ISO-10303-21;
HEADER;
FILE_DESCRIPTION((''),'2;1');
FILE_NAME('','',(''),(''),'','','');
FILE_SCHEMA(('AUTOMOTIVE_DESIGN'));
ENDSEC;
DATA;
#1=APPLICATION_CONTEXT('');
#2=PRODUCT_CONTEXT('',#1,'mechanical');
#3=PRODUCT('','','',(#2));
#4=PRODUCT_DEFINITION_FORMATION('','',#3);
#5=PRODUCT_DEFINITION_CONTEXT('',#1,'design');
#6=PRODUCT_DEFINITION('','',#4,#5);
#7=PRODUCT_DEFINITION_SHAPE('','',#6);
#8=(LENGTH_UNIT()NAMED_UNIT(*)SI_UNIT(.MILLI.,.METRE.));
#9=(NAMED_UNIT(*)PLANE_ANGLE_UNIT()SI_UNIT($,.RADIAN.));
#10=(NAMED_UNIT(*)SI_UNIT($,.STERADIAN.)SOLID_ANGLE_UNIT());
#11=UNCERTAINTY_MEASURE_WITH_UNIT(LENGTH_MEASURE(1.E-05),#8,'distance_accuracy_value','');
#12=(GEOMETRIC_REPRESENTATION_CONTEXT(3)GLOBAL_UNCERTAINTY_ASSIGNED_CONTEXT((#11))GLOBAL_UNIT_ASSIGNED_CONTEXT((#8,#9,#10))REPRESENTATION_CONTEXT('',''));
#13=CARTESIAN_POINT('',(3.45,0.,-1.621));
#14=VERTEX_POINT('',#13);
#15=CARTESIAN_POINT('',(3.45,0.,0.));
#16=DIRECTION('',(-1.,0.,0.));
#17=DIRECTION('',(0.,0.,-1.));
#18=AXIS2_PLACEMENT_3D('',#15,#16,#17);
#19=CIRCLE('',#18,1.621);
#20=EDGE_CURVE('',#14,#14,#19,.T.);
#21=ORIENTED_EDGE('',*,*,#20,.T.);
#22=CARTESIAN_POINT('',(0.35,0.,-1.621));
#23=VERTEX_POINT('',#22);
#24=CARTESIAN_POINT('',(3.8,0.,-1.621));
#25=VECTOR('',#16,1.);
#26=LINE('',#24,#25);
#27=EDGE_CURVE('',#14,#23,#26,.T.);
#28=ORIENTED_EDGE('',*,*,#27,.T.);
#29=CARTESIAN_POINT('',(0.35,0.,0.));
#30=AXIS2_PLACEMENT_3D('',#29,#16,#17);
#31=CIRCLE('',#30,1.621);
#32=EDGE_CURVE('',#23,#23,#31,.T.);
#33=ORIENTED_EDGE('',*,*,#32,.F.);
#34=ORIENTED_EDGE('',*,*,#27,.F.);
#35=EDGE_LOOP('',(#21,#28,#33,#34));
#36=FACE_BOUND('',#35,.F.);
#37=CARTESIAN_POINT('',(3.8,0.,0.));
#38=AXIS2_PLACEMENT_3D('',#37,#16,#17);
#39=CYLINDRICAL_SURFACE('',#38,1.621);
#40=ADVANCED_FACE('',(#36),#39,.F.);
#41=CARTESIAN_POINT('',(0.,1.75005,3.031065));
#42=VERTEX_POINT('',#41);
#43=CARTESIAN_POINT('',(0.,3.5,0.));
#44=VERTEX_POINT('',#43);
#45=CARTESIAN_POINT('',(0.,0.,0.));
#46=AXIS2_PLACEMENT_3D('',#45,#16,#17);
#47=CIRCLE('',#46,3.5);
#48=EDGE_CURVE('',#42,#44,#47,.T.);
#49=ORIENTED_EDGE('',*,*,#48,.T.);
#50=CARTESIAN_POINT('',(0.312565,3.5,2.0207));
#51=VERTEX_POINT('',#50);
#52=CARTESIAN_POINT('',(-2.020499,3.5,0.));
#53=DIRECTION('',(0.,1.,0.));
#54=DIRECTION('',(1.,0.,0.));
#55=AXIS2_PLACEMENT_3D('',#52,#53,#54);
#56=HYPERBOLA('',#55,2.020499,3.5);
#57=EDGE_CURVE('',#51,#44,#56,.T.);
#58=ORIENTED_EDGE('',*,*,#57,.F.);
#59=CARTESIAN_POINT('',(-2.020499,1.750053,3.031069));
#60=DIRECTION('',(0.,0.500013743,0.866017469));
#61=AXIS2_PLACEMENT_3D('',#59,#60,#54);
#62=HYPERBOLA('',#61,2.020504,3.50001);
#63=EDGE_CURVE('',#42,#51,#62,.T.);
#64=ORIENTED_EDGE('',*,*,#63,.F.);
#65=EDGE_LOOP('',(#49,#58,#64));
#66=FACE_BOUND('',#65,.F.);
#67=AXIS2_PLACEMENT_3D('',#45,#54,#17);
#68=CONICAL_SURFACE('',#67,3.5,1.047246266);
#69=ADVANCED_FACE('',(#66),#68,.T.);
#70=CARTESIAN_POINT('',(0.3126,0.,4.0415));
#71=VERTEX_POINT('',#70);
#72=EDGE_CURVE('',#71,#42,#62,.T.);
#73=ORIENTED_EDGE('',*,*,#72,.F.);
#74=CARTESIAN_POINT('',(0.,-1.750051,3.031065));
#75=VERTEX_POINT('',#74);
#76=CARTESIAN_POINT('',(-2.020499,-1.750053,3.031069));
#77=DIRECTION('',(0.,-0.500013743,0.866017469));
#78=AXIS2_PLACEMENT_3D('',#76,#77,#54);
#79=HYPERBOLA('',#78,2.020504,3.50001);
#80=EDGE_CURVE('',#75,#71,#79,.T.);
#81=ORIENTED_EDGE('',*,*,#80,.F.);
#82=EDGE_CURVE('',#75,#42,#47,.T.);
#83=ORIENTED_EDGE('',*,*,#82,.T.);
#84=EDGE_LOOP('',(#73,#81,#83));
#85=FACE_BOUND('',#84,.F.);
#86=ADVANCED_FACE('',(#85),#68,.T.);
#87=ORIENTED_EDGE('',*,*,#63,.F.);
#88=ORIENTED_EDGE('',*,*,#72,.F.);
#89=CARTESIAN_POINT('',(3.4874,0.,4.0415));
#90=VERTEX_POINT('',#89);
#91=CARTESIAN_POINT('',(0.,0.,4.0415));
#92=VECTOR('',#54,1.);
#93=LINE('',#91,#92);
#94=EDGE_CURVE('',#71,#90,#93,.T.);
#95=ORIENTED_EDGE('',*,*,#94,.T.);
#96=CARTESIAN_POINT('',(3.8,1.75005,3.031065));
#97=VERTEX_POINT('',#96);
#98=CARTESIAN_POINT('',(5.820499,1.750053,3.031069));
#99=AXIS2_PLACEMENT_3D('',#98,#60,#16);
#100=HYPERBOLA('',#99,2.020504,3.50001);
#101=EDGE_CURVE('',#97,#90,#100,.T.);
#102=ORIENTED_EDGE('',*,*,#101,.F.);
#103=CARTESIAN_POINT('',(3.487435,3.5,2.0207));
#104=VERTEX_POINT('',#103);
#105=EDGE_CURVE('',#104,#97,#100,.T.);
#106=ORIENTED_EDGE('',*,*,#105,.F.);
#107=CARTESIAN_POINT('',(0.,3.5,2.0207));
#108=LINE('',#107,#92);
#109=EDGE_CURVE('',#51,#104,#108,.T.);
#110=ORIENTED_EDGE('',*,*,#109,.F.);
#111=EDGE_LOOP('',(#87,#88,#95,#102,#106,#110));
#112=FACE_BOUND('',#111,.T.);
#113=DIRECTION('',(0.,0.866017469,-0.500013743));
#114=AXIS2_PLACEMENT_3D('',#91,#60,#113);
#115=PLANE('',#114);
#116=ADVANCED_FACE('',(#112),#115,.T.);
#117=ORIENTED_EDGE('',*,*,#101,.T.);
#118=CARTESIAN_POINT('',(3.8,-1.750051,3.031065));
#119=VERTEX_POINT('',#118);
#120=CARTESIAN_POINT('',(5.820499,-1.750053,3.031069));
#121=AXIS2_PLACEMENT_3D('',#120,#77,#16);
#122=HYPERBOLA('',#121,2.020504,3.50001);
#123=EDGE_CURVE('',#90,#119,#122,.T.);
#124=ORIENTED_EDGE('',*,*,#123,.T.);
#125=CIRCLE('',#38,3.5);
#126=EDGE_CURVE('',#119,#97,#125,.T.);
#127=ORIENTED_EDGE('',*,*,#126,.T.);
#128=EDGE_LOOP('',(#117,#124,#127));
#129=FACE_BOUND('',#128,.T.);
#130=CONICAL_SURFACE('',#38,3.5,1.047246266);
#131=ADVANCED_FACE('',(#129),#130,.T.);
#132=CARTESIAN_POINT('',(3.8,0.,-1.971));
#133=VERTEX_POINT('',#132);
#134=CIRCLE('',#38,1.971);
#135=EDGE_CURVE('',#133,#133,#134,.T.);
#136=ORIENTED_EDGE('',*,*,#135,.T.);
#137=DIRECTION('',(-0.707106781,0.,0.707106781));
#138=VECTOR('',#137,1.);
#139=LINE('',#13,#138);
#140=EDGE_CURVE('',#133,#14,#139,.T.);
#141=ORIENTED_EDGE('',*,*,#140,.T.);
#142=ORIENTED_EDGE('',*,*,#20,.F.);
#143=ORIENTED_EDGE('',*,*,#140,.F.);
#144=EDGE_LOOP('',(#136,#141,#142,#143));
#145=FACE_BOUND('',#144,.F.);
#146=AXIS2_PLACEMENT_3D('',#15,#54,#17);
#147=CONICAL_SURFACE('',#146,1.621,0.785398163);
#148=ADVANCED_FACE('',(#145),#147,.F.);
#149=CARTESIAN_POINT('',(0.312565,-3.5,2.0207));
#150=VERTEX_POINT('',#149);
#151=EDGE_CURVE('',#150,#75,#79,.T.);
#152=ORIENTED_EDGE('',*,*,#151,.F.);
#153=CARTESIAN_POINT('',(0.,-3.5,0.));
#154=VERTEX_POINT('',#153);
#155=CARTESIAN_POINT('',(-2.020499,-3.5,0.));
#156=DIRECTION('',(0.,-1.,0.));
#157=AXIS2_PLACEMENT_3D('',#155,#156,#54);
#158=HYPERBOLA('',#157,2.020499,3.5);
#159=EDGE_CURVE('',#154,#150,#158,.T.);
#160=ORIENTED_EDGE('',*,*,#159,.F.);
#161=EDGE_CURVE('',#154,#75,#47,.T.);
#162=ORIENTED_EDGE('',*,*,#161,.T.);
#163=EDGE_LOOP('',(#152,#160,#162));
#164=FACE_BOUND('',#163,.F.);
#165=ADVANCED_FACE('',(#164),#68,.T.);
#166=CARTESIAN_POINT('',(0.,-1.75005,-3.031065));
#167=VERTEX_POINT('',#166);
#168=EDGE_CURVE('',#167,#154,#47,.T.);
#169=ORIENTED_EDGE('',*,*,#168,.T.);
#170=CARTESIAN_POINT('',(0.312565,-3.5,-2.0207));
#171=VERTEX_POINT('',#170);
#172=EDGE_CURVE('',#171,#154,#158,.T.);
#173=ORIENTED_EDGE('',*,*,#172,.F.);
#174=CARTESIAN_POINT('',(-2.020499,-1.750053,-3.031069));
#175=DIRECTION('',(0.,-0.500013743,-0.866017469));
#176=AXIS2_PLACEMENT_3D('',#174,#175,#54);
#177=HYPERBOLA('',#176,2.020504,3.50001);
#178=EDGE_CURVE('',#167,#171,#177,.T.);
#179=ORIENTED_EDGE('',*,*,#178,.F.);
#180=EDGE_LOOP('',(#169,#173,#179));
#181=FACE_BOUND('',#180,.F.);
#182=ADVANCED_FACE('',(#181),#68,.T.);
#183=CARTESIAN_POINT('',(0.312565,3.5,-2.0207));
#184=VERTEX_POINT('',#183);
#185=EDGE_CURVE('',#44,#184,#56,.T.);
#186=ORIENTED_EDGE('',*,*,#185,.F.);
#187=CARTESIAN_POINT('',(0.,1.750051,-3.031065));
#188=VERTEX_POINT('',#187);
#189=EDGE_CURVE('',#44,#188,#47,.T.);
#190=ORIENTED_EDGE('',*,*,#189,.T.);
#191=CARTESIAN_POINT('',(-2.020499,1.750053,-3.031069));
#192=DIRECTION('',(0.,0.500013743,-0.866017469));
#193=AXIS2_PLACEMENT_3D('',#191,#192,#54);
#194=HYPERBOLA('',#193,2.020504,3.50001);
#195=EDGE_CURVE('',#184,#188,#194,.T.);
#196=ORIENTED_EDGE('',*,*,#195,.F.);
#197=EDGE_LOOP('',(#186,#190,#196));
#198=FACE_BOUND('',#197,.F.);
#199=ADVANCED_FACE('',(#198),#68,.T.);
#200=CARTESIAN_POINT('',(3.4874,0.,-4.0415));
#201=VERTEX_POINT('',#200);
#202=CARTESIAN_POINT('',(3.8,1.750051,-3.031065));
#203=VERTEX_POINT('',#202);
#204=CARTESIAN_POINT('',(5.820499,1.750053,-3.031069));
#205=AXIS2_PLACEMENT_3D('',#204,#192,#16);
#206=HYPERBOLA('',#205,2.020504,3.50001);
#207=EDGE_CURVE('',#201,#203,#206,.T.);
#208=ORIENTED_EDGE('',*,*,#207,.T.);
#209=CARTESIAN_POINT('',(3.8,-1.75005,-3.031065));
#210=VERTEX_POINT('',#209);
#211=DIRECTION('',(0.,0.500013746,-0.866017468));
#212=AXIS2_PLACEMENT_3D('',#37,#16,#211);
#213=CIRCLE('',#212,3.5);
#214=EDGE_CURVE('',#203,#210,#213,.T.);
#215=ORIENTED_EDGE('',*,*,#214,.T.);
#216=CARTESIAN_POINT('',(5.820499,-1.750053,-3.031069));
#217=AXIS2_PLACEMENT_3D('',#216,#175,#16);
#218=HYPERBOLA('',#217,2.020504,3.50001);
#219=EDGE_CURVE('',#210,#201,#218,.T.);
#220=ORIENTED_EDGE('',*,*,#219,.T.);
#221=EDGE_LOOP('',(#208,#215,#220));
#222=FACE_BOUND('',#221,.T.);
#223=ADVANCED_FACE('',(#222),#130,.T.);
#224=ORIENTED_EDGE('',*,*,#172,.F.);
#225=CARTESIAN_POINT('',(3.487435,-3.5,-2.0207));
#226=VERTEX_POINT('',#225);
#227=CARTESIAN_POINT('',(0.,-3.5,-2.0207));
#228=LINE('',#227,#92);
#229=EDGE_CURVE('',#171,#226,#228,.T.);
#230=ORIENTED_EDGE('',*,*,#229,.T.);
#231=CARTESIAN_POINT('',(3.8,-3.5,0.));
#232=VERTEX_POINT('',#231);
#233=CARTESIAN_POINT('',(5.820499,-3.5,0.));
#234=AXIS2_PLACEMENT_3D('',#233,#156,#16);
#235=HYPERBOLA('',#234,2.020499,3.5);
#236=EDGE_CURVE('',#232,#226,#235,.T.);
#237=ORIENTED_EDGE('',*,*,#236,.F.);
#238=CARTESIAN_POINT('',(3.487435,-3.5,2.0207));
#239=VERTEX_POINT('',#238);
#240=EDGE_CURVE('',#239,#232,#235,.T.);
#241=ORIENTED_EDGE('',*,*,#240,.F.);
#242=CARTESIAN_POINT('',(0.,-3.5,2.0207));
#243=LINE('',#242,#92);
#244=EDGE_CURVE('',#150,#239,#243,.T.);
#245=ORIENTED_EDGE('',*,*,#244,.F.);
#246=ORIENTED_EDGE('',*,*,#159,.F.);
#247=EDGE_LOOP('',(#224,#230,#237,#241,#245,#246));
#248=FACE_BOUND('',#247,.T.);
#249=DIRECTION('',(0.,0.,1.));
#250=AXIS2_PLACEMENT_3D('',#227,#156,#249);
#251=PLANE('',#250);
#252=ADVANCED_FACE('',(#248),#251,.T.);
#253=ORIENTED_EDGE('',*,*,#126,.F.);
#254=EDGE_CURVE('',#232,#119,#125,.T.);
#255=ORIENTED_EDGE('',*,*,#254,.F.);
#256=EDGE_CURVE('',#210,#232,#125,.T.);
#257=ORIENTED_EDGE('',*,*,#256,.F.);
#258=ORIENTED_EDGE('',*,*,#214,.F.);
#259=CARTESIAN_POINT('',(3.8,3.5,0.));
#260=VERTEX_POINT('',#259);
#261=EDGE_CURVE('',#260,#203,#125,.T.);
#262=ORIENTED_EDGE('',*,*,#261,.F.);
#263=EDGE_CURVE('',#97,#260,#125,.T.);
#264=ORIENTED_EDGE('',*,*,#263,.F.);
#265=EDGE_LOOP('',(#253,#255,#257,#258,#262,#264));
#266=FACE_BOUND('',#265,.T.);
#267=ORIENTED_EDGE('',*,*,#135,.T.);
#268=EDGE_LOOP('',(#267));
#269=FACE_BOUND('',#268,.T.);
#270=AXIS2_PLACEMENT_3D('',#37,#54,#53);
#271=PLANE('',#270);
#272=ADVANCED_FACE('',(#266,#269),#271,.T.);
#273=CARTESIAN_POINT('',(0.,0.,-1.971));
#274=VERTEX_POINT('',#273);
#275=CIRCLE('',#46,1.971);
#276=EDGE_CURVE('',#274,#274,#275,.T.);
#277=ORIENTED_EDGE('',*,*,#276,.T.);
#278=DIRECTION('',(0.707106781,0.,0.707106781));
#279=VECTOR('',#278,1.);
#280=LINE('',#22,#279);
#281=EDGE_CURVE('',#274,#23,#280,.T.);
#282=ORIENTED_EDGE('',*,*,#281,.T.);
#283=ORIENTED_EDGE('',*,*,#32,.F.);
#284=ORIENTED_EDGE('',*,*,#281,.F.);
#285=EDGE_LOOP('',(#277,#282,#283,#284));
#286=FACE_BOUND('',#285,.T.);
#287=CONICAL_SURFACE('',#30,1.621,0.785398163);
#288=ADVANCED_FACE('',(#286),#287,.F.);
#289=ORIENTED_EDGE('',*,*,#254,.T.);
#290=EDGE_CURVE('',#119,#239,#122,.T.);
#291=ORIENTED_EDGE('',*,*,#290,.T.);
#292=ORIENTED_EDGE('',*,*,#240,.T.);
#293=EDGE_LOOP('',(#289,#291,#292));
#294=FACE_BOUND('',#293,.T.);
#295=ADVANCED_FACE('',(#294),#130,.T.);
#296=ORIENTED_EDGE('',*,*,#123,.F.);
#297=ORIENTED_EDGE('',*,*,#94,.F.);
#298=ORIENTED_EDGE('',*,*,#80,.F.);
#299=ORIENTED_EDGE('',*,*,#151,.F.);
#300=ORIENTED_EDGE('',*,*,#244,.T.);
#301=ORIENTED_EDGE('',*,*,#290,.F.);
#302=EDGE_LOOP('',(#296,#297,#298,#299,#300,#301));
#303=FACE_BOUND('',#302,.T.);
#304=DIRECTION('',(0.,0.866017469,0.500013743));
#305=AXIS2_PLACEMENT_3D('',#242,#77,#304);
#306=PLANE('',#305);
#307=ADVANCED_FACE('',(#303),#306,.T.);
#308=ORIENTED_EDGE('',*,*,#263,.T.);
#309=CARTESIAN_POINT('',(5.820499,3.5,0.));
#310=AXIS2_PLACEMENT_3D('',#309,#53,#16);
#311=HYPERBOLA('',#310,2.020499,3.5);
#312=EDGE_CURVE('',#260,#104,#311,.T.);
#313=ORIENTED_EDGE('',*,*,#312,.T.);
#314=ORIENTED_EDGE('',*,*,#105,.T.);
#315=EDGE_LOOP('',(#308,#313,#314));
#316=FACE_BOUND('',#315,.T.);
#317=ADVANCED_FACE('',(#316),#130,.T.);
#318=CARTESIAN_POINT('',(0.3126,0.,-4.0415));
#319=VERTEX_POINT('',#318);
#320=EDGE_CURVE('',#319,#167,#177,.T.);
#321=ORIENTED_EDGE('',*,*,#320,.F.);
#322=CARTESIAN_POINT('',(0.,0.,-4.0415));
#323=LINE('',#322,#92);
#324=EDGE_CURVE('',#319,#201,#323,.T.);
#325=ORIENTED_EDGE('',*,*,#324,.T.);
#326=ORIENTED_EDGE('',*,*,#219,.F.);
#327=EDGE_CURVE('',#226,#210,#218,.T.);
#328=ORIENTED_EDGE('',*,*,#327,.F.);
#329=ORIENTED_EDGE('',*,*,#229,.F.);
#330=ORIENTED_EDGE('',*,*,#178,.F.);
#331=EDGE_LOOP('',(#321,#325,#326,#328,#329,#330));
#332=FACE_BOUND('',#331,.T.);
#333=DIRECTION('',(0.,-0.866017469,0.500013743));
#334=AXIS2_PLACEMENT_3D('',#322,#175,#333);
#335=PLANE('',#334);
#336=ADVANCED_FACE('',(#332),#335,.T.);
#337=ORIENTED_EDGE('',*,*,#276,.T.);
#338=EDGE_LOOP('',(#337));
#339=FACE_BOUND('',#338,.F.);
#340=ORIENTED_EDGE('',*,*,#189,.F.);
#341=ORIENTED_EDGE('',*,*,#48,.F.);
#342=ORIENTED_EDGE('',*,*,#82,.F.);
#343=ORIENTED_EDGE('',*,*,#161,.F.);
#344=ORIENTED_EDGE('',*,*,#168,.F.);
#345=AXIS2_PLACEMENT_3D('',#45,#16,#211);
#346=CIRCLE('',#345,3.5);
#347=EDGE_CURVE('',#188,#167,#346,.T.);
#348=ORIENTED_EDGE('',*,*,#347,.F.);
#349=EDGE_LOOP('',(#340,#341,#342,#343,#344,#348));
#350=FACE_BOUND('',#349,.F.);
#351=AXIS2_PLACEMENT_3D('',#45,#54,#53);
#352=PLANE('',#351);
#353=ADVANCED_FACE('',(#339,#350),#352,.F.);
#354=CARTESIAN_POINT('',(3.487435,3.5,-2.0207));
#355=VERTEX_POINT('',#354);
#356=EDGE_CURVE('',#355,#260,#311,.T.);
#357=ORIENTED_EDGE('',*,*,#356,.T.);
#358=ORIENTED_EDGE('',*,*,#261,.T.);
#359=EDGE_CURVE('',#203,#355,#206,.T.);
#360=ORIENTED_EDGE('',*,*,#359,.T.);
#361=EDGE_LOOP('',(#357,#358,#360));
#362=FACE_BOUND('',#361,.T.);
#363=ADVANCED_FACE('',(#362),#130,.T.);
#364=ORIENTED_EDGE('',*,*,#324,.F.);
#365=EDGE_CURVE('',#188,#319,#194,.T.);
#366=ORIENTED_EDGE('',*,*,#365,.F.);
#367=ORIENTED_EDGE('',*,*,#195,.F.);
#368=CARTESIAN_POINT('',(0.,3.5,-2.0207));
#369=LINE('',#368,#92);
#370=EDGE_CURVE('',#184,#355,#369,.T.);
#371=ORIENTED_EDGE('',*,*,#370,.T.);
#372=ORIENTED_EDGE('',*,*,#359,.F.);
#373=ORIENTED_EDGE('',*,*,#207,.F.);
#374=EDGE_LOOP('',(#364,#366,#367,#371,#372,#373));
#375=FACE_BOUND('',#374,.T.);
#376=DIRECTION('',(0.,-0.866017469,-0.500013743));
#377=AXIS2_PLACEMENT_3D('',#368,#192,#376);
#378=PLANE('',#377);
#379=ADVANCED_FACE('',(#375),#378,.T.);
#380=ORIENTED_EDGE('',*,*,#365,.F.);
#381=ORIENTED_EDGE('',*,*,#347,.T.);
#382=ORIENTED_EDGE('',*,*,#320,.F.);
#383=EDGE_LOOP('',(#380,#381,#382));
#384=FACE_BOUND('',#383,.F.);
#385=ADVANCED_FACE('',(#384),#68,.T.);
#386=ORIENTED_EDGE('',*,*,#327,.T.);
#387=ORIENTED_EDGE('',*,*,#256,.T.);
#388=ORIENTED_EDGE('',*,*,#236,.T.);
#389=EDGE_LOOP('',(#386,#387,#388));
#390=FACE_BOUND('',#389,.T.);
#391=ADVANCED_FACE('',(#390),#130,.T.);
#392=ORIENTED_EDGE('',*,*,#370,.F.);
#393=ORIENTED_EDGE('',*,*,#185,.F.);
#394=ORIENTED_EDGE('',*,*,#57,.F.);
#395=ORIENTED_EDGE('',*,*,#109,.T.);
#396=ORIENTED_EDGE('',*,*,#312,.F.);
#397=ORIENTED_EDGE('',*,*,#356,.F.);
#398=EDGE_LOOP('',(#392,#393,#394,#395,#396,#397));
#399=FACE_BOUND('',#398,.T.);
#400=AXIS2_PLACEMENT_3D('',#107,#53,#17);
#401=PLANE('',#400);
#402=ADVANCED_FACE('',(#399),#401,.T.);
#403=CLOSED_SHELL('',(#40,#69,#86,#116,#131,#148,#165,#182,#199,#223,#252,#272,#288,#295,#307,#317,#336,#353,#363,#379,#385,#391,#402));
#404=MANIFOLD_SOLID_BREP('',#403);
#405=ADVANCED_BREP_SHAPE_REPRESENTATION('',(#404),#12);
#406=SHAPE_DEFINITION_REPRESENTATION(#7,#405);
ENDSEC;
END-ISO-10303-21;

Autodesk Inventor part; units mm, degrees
sketch "Boceto1" plane through (0, 0, 0) normal (1, 0, 0) x (0, 1, 0)
  line L0 (3.5, 2.0207) -> (3.5, -2.0207)
  line L1 (3.5, -2.0207) -> (0, -4.0415)
  line L2 (0, -4.0415) -> (-3.5, -2.0207)
  line L3 (-3.5, -2.0207) -> (-3.5, 2.0207)
  line L4 (-3.5, 2.0207) -> (0, 4.0415)
  line L5 (0, 4.0415) -> (3.5, 2.0207)
  circle A0 centre (0, 0) radius 3.5 construction
  dimension "d0" = 7
extrude "Extrusión1" add sketch "Boceto1" along normal blind 3.8
sketch "Boceto2" plane through (3.8, 0, 0) normal (1, 0, 0) x (0, 1, 0)
  line L0 (-3.5, 2.0207) -> (0, 4.0415) projected
  line L1 (0, -4.0415) -> (-3.5, -2.0207) projected
  line L2 (-3.5, 2.0207) -> (3.5, -2.0207) construction
  line L3 (-3.5, -2.0207) -> (3.5, 2.0207) construction
  point P0 (0, 0)
hole "Agujero1" at (3.8, 0, 0) direction (-1, 0, 0) diameter 3.242 end through all thread size "M4x0.7" class "6H" standard "ISO Metric profile"
chamfer "Chaflán1" distance 0.35 angle 45 2 edges at (3.8, 0, 1.621) (0, 0, 1.621)
sketch "Boceto3" plane through (0, 0, 0) normal (0, 1, 0) x (-1, 0, 0)
  line L0 (-7.0172, 0) -> (2.1698, 0) projected
  line L1 (-5.7048, 0) -> (0.8574, 0)
  line L2 (-3.8, 0) -> (-3.8, -4.0415)
  line L3 (-3.8, -4.0415) -> (0, -4.0415)
  line L4 (0, -4.0415) -> (0, 0)
  line L5 (-3.8, -2.0207) -> (-3.8, -4.0415) projected
  line L6 (0, -2.0207) -> (0, -4.0415) projected
  line L7 (0, -4.0415) -> (-3.8, -4.0415) projected
  line L8 (-3.8, -3.5) -> (-3.4874, -4.0415)
  line L9 (-3.8, -4.0415) -> (-3.8, -3.5)
  line L10 (-3.8, -4.0415) -> (-3.4874, -4.0415)
  line L11 (0, -3.5) -> (-0.3126, -4.0415)
  line L12 (-0.3126, -4.0415) -> (0, -4.0415)
  line L13 (0, -4.0415) -> (0, -3.5)
  dimension "d32" = 3.5
  dimension "d33" = 30
revolve "Revolución1" cut sketch "Boceto3" angle 360 about axis through (0, 0, 0) along (-1, 0, 0) contours L8 L3 L2 | L4 L3 L11
ref_plane "MSC_PT1" through (3.8, 0, 0) normal (1, 0, 0) x (0, 1, 0)
ref_plane "MSC_PT2" through (0, 0, 0) normal (-1, 0, 0) x (0, -1, 0)
ref_plane "MSC_PF1" through (0, 0, 0) normal (1, 0, 0) x (0, 1, 0)
equation "\"d0\" = Smax"
equation "\"d1\" = Mmax"
equation "\"d10\" = 0.5 * PTC"
equation "\"d32\" = 0.5 * Smax"
equation "\"NND\" = 4"
equation "\"Smax\" = 7"
equation "\"Mmax\" = 3.8"
equation "\"PTC\" = 0.7"
equation "\"THREADDIA\" = NND"
equation "\"TEMPLATE\" = 1.2345"
properties part number "ANSI B18.2.4.2M - M4x0,7" material "Acero, suave"
